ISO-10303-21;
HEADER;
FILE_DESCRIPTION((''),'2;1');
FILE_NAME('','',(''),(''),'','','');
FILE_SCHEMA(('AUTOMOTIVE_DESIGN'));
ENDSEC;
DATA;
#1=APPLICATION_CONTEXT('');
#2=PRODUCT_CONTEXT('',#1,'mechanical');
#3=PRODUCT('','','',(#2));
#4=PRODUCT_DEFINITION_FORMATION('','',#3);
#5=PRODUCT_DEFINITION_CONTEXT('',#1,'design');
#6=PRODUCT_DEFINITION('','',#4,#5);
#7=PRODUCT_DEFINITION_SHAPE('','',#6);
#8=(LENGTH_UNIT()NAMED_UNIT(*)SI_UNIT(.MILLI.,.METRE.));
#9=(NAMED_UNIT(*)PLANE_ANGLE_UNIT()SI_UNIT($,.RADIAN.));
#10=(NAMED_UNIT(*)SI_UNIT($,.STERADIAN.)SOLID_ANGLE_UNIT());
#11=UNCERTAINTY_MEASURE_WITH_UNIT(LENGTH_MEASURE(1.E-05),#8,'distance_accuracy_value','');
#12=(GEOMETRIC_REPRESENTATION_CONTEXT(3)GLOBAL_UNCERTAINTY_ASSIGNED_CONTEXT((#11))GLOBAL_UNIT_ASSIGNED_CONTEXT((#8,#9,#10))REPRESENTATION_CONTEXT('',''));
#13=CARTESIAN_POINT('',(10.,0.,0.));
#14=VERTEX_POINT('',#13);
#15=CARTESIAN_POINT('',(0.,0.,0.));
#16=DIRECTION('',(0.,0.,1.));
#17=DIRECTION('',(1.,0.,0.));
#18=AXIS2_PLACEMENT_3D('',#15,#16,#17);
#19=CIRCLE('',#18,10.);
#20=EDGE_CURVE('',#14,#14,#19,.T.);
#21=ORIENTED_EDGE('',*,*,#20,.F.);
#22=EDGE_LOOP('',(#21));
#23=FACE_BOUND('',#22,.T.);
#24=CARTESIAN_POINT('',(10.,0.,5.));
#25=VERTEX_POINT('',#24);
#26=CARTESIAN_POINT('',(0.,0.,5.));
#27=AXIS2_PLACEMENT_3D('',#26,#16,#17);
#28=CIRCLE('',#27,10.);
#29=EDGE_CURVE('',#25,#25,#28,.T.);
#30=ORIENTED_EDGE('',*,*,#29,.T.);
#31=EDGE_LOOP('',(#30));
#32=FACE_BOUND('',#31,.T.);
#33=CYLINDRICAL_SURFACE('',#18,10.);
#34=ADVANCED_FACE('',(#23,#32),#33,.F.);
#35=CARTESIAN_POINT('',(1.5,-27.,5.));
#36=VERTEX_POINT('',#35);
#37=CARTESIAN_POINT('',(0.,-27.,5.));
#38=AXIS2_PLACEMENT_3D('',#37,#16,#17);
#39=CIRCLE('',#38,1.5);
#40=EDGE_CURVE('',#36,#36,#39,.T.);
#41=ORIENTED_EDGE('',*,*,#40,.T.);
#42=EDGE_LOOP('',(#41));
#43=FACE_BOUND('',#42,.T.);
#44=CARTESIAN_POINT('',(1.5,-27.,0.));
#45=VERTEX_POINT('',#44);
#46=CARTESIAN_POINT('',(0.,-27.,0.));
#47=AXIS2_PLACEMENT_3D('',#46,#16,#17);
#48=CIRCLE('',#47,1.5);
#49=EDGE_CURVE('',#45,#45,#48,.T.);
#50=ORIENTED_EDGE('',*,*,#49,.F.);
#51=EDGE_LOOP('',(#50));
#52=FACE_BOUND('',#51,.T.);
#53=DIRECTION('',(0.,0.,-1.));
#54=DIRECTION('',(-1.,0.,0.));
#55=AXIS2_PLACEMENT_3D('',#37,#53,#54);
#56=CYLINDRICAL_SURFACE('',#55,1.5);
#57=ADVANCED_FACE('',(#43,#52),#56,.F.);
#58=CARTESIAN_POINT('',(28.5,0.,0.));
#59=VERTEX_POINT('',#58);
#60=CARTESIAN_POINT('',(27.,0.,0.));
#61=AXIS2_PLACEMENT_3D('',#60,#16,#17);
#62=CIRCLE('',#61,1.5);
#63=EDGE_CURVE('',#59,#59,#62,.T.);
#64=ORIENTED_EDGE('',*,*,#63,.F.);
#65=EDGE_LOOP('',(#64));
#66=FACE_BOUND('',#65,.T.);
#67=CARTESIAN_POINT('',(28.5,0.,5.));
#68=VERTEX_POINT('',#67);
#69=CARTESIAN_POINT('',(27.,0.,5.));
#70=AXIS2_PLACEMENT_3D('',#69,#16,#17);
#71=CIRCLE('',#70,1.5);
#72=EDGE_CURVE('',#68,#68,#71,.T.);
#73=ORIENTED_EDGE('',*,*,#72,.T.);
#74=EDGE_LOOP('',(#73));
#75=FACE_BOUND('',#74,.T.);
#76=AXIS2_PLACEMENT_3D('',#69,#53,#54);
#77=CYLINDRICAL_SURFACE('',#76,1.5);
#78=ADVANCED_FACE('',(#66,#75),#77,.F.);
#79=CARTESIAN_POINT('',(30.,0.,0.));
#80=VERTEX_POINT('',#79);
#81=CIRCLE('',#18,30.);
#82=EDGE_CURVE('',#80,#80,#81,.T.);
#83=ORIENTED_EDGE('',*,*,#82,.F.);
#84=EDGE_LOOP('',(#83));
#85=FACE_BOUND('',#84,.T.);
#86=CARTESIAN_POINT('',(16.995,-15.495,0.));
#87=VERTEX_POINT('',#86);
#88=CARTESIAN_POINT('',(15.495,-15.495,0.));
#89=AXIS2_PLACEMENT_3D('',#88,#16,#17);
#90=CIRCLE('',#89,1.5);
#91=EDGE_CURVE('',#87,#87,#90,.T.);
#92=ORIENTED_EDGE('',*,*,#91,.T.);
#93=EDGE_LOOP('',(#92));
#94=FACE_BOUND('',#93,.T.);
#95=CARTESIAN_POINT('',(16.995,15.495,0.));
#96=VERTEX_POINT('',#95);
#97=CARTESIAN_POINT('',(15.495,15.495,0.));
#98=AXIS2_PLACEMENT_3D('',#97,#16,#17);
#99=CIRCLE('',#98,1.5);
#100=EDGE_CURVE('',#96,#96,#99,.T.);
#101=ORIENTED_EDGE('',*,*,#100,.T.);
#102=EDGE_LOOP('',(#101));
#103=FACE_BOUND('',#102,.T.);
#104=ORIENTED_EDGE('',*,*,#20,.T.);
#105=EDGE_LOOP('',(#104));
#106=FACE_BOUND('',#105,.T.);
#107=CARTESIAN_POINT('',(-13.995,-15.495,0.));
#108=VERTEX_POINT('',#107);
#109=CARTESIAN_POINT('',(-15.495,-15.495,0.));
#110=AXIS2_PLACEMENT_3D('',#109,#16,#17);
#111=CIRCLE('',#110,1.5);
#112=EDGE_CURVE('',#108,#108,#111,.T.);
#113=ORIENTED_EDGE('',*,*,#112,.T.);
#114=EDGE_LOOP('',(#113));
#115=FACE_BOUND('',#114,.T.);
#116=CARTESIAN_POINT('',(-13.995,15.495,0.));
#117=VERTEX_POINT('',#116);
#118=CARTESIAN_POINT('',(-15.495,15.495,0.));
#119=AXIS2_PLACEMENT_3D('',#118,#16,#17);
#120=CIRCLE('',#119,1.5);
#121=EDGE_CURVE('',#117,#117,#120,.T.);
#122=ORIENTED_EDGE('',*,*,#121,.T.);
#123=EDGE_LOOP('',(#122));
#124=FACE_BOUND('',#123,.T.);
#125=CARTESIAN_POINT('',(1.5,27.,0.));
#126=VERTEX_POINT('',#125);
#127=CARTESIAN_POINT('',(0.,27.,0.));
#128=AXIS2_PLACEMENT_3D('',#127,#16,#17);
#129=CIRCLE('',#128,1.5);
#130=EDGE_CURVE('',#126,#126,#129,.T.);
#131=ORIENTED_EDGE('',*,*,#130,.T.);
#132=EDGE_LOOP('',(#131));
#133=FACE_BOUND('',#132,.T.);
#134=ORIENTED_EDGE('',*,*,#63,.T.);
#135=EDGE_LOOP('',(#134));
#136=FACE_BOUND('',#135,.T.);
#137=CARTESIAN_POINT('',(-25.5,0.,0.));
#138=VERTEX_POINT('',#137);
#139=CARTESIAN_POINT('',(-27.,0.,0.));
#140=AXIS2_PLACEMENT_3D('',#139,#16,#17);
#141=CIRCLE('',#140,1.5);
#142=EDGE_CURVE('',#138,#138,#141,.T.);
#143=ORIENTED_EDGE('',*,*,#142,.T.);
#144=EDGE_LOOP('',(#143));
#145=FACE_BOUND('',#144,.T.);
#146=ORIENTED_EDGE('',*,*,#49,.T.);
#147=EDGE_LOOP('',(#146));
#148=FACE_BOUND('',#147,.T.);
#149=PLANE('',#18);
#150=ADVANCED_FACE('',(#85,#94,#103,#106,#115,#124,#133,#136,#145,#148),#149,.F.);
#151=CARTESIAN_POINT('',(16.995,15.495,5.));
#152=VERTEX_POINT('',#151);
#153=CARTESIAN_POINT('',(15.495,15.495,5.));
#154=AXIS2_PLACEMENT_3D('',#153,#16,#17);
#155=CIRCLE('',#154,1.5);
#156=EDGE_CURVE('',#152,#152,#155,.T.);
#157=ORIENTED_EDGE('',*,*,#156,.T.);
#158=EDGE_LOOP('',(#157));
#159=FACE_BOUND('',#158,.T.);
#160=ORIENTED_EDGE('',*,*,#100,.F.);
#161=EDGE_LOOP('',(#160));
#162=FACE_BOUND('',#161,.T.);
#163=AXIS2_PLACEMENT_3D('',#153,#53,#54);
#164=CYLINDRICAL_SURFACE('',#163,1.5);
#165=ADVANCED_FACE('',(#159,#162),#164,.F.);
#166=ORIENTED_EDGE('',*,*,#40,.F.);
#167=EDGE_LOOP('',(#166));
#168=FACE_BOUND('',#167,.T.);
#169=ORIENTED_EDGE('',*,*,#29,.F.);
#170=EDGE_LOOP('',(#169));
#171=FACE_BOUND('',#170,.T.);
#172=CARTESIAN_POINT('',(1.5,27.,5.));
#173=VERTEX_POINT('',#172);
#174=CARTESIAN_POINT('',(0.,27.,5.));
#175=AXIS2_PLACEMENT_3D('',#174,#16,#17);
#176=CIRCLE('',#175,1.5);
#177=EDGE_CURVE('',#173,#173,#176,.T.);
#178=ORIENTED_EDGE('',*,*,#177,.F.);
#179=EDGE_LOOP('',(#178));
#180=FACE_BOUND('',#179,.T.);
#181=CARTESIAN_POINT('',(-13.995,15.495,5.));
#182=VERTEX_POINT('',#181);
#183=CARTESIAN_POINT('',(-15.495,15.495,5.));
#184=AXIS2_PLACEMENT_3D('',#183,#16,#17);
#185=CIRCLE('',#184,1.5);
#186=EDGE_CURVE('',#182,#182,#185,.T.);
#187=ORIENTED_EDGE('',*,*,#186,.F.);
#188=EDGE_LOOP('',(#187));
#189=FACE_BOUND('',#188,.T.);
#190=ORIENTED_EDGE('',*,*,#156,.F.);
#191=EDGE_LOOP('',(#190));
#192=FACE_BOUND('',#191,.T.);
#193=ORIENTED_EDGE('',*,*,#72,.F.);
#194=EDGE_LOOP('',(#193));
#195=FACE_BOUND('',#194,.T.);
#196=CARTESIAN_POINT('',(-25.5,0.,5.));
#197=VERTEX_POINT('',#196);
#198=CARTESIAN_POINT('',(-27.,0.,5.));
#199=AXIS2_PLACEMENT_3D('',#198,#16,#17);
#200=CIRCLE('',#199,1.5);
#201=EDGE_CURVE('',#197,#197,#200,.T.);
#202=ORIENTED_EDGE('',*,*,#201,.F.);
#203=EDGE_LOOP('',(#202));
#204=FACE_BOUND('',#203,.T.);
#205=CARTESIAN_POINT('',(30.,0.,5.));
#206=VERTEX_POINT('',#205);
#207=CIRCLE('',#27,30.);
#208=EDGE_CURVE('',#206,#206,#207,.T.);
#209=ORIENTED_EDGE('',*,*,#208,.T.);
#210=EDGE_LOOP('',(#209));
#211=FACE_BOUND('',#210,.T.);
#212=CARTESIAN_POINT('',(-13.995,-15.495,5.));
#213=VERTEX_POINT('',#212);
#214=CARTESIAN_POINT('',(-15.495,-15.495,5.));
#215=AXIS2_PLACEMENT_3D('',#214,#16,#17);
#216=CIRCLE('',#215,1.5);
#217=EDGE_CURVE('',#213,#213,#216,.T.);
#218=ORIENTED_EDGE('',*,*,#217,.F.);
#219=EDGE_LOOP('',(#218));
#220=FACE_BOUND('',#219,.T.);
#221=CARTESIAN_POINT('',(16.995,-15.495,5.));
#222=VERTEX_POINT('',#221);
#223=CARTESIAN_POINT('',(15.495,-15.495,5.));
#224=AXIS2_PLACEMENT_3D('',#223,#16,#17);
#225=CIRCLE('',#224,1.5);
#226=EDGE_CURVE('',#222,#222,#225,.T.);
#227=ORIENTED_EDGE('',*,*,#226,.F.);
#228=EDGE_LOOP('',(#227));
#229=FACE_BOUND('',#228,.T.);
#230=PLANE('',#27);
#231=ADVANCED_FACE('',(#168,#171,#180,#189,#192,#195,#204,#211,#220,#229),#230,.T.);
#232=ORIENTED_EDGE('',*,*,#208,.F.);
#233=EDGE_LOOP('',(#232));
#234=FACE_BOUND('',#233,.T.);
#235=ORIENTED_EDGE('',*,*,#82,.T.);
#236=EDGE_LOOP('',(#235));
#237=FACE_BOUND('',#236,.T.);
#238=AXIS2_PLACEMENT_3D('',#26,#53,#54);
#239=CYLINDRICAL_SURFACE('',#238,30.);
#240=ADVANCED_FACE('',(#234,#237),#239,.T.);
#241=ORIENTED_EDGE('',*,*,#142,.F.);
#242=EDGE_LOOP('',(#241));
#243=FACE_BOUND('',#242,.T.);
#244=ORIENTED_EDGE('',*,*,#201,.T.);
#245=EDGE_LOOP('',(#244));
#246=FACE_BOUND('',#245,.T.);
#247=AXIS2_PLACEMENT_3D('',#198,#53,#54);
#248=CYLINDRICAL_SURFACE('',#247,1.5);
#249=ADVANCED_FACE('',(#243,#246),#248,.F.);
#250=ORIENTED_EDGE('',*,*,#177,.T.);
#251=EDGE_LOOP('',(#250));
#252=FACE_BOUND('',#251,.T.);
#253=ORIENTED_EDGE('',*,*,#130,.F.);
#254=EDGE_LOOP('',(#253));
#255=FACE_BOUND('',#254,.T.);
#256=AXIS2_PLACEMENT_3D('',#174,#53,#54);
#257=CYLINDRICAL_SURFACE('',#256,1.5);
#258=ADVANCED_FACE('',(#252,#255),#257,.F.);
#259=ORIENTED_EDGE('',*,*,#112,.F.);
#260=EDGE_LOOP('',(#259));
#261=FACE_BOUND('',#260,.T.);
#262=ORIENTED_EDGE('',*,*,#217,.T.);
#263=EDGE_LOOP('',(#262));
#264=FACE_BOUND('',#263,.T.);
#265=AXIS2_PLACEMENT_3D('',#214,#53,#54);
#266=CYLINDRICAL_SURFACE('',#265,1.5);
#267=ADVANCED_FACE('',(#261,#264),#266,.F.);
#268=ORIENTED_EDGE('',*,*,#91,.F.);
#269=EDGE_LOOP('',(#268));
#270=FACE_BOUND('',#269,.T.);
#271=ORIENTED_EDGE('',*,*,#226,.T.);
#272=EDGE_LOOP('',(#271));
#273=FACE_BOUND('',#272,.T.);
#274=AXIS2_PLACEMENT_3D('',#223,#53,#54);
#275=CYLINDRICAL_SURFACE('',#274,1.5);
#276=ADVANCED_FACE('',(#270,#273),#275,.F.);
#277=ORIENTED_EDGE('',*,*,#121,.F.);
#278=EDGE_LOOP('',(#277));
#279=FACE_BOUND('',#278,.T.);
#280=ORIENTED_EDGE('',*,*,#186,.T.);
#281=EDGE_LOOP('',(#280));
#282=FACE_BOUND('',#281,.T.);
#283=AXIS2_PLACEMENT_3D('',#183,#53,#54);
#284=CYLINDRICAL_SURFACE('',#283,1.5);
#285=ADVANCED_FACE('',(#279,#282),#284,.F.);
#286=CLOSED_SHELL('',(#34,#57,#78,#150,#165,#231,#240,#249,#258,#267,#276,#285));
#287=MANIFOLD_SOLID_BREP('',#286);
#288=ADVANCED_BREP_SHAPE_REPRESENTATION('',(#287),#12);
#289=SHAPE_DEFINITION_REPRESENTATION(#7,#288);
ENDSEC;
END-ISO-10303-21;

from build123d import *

# Parameters (mm, degrees)
SKETCH25_R          = 30
SKETCH25_R_2        = 1.5
BOSS_EXTRUDE1_DEPTH = 5
SKETCH26_R          = 10
CUT_EXTRUDE1_DEPTH  = 5


with BuildPart() as part:
    # Sketch25 → Boss-Extrude1 (new body)
    with BuildSketch(Plane.XY):
        Circle(SKETCH25_R)
        with Locations((15.495, 15.495)):
            Circle(SKETCH25_R_2, mode=Mode.SUBTRACT)
        with Locations((-15.495, 15.495)):
            Circle(SKETCH25_R_2, mode=Mode.SUBTRACT)
        with Locations((-15.495, -15.495)):
            Circle(SKETCH25_R_2, mode=Mode.SUBTRACT)
        with Locations((15.495, -15.495)):
            Circle(SKETCH25_R_2, mode=Mode.SUBTRACT)
        with Locations((0, 27)):
            Circle(SKETCH25_R_2, mode=Mode.SUBTRACT)
        with Locations((27, 0)):
            Circle(SKETCH25_R_2, mode=Mode.SUBTRACT)
        with Locations((0, -27)):
            Circle(SKETCH25_R_2, mode=Mode.SUBTRACT)
        with Locations((-27, 0)):
            Circle(SKETCH25_R_2, mode=Mode.SUBTRACT)
    extrude(amount=BOSS_EXTRUDE1_DEPTH)

    # Sketch26 → Cut-Extrude1 (cut)
    with BuildSketch(Plane.XY.offset(5)):
        Circle(SKETCH26_R)
        with Locations((-130.084851818, -8.286873835)):
            Circle(SKETCH26_R)
    extrude(amount=-CUT_EXTRUDE1_DEPTH, mode=Mode.SUBTRACT)


solid = part.part
